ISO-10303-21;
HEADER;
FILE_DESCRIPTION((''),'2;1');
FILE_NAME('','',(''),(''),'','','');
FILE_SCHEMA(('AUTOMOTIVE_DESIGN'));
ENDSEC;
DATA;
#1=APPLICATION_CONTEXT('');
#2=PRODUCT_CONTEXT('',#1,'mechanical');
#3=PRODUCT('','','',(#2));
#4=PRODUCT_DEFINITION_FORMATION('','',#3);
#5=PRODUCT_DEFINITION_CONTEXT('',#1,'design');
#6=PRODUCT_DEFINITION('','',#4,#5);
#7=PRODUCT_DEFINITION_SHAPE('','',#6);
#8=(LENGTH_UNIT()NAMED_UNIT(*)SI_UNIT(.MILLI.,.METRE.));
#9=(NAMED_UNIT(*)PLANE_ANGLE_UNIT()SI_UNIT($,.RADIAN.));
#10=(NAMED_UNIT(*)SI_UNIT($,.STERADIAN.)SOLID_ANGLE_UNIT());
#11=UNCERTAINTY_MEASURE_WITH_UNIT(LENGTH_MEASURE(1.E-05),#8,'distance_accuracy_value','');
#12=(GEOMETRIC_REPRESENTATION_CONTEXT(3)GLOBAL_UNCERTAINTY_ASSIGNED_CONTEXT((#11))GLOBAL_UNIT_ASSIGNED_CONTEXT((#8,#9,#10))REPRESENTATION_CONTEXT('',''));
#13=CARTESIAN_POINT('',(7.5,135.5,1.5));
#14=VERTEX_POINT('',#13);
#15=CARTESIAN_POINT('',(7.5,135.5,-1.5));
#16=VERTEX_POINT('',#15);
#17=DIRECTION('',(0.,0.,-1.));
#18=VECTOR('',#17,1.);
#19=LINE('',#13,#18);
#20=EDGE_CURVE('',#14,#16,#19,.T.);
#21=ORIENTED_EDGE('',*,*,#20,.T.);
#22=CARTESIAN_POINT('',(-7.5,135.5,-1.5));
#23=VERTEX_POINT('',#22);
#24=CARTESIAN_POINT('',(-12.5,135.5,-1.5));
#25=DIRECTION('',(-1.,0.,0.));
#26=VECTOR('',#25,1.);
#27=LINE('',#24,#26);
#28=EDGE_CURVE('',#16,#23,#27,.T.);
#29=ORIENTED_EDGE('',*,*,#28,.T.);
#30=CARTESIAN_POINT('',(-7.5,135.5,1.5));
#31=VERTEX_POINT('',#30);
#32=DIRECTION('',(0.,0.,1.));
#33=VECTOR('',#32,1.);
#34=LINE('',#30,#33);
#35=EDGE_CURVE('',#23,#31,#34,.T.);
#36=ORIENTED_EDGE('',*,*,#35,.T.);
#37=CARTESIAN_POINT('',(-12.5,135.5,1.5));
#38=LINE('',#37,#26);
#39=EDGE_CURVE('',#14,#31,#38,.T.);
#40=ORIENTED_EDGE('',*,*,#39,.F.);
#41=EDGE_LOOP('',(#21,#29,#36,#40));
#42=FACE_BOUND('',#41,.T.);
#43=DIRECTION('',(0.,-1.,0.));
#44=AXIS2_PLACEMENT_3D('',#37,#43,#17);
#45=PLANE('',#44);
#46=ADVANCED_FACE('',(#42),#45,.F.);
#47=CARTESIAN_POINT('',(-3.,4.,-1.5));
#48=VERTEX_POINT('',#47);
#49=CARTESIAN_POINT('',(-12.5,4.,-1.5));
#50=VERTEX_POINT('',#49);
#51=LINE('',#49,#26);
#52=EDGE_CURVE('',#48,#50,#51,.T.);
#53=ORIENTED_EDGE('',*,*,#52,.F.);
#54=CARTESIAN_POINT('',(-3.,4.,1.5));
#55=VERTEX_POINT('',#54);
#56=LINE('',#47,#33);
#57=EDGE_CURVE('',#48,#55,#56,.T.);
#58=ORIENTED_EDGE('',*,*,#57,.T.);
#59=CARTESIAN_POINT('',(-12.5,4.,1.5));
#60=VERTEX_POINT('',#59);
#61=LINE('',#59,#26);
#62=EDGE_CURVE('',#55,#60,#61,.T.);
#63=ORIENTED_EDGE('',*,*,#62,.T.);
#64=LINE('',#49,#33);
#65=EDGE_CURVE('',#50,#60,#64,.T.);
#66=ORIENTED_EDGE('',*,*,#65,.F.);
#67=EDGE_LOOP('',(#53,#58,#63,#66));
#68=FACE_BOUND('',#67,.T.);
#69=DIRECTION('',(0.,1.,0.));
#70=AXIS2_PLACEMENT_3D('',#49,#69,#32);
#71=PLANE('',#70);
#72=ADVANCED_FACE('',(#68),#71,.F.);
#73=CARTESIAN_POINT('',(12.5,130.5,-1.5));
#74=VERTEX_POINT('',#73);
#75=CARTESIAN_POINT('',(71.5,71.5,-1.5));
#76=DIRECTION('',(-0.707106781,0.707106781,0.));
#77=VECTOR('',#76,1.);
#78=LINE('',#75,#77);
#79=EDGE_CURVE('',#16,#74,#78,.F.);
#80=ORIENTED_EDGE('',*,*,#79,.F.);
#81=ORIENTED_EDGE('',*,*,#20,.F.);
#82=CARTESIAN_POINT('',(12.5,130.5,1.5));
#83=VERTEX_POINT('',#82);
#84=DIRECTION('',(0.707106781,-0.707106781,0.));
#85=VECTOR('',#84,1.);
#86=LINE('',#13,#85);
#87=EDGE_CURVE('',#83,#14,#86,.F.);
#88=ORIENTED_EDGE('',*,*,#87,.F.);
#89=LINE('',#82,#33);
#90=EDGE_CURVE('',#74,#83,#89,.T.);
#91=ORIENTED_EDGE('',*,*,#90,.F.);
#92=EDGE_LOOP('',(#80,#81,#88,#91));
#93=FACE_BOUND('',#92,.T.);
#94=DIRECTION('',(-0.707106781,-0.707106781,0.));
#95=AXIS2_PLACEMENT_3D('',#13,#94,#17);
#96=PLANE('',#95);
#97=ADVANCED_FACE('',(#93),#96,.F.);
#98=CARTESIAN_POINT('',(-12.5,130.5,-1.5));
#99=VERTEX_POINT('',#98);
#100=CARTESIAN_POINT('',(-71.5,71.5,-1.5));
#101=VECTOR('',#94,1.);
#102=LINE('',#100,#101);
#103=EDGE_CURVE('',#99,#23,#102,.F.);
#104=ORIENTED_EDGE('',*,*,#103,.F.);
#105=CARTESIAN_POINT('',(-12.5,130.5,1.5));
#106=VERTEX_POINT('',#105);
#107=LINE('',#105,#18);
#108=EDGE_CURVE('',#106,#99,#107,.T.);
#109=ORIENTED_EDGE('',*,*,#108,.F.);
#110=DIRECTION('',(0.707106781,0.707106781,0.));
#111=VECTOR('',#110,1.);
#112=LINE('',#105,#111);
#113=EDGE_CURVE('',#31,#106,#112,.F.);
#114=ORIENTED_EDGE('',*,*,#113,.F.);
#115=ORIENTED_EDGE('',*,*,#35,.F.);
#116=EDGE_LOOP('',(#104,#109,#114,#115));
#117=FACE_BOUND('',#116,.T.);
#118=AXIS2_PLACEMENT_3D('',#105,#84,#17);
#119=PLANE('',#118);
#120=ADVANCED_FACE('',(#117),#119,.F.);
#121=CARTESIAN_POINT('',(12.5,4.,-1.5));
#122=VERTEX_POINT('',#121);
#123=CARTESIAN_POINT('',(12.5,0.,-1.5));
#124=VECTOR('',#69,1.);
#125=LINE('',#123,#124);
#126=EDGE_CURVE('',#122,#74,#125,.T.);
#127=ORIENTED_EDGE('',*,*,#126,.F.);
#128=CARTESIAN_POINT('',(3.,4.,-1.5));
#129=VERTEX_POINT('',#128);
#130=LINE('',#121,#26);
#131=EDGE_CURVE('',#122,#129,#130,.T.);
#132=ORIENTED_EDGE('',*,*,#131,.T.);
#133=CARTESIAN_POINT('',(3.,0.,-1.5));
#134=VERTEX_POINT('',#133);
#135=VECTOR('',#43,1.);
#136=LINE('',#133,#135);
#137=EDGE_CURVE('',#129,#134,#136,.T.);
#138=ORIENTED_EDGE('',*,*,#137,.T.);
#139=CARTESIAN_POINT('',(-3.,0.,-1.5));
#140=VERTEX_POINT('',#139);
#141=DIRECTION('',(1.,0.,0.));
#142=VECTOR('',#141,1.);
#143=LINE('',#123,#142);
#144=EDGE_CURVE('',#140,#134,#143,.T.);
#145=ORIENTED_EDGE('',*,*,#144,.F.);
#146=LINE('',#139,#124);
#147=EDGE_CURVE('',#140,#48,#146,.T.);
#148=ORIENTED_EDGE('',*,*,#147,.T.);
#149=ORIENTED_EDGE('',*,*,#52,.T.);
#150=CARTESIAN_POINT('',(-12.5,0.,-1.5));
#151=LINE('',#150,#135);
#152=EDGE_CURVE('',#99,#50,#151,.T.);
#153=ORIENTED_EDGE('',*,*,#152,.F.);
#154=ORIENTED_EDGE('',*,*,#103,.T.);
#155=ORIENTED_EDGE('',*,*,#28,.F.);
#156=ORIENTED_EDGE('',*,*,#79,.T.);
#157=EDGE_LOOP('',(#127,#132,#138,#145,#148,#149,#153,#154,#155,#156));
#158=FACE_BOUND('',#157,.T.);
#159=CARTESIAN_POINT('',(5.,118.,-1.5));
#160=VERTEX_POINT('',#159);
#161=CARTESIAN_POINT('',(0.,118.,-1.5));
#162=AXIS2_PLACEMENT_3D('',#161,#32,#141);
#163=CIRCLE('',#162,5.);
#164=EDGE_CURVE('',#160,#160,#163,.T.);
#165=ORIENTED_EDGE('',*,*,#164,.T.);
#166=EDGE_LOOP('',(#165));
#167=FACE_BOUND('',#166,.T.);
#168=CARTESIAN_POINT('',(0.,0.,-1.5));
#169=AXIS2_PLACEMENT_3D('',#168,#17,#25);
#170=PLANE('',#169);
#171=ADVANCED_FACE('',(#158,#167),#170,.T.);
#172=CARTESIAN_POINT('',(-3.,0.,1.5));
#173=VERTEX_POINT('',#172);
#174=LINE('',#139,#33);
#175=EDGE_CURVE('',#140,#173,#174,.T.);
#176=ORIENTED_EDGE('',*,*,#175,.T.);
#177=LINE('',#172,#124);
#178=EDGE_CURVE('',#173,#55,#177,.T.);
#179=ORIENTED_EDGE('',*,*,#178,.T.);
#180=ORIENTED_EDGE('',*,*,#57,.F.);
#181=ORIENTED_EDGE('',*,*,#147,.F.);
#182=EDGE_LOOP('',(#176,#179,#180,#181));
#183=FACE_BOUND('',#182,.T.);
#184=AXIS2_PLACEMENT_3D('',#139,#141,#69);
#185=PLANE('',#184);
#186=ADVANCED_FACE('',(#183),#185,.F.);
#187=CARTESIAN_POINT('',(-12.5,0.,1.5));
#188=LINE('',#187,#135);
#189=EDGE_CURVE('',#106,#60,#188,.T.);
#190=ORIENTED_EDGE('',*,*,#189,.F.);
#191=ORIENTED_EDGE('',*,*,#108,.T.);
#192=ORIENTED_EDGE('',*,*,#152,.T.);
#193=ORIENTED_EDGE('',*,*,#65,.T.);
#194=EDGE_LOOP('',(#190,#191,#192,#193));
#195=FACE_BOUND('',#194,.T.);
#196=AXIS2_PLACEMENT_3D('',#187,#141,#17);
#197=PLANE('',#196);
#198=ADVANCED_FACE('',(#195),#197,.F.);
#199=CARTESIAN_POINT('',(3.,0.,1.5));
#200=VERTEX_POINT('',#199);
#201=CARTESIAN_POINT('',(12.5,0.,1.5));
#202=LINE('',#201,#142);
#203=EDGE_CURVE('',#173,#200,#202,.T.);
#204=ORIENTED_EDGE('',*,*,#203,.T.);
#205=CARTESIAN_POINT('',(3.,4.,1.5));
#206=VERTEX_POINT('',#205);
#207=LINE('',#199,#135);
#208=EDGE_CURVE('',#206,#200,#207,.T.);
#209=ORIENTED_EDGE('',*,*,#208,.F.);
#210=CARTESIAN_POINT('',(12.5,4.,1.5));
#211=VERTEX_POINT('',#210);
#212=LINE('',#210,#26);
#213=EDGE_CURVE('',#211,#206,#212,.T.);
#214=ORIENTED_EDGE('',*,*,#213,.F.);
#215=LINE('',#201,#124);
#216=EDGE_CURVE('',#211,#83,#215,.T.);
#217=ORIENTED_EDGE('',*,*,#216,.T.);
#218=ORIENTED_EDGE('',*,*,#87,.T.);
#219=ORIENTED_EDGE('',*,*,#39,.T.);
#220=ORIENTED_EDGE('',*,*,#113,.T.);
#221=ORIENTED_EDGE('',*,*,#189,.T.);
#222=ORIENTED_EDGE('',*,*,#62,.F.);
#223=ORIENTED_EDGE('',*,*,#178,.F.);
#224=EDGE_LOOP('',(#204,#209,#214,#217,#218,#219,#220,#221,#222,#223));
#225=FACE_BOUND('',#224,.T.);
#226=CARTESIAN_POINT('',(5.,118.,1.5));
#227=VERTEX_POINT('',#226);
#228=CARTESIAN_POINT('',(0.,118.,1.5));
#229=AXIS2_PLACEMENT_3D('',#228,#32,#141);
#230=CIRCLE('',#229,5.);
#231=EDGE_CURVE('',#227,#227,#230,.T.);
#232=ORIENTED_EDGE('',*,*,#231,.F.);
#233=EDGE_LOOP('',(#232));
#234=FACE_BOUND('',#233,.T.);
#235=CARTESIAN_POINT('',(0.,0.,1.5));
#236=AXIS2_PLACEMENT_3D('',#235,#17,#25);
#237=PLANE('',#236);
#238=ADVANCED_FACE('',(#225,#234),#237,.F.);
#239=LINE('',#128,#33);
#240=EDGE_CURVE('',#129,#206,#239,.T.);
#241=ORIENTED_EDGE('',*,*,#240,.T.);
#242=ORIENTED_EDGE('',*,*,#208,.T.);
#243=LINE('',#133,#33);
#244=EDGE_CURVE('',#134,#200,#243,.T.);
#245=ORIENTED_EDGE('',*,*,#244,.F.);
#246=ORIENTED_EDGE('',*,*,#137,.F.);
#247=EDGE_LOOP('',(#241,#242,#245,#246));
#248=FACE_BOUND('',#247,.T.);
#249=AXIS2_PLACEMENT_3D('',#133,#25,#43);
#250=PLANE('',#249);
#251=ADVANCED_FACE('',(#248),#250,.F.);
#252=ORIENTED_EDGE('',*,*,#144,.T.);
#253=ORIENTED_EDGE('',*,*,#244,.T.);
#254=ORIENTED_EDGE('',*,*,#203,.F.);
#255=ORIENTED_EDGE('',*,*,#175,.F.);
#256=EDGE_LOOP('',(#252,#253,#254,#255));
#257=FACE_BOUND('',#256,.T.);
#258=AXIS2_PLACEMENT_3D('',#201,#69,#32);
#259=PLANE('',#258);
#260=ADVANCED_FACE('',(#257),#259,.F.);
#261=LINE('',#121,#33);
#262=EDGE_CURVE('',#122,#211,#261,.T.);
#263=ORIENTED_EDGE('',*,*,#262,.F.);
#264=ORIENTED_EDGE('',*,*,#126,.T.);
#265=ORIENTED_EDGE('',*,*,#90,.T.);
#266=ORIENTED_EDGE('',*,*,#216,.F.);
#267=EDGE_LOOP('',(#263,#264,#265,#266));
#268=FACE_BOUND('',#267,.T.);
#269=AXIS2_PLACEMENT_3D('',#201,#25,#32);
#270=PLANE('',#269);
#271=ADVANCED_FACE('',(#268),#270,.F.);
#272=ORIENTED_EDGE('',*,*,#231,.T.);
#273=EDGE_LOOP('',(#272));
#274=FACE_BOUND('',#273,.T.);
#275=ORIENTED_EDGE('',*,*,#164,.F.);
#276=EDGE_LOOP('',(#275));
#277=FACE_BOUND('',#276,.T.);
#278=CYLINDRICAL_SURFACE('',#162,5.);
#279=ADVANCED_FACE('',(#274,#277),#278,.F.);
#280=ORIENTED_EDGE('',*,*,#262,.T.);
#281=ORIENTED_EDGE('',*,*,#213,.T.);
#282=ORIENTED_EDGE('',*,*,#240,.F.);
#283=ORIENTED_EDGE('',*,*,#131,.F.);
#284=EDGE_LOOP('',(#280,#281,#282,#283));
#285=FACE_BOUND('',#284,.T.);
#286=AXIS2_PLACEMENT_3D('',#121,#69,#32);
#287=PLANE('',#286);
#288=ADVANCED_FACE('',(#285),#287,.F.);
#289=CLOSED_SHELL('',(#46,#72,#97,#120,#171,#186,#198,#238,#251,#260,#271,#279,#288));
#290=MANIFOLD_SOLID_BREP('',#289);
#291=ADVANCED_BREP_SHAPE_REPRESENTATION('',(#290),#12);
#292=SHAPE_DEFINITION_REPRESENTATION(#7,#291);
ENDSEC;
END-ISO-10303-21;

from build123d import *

# Parameters (mm, degrees)
SKETCH1_W           = 25
SKETCH1_H           = 135.5
BOSS_EXTRUDE1_DEPTH = 1.5
SKETCH2_R           = 5
CUT_EXTRUDE1_DEPTH  = 137.108412672
CHAMFER1_SIZE       = 5
SKETCH3_W           = 9.5
SKETCH3_H           = 4
CUT_EXTRUDE2_DEPTH  = 137.108412672


with BuildPart() as part:
    # Sketch1 → Boss-Extrude1 (new, symmetric)
    with BuildSketch(Plane.XY):
        with Locations((0, 67.75)):
            Rectangle(SKETCH1_W, SKETCH1_H)
    extrude(amount=BOSS_EXTRUDE1_DEPTH, both=True)

    # Sketch2 → Cut-Extrude1 (cut, through all)
    with BuildSketch(Plane.XY.offset(1.5)):
        with Locations((0, 118)):
            Circle(SKETCH2_R)
    extrude(amount=-CUT_EXTRUDE1_DEPTH, mode=Mode.SUBTRACT)

    # Chamfer1
    chamfer1_edges = [part.edges().sort_by_distance(p)[0] for p in [
        (-12.5, 135.5, 0),
        (12.5, 135.5, 0),
    ]]
    chamfer(chamfer1_edges, length=CHAMFER1_SIZE)

    # Sketch3 → Cut-Extrude2 (cut, through all)
    with BuildSketch(Plane.XY.offset(1.5)):
        with Locations((-7.75, 2)):
            Rectangle(SKETCH3_W, SKETCH3_H)
        with Locations((7.75, 2)):
            Rectangle(SKETCH3_W, SKETCH3_H)
    extrude(amount=-CUT_EXTRUDE2_DEPTH, mode=Mode.SUBTRACT)


solid = part.part
